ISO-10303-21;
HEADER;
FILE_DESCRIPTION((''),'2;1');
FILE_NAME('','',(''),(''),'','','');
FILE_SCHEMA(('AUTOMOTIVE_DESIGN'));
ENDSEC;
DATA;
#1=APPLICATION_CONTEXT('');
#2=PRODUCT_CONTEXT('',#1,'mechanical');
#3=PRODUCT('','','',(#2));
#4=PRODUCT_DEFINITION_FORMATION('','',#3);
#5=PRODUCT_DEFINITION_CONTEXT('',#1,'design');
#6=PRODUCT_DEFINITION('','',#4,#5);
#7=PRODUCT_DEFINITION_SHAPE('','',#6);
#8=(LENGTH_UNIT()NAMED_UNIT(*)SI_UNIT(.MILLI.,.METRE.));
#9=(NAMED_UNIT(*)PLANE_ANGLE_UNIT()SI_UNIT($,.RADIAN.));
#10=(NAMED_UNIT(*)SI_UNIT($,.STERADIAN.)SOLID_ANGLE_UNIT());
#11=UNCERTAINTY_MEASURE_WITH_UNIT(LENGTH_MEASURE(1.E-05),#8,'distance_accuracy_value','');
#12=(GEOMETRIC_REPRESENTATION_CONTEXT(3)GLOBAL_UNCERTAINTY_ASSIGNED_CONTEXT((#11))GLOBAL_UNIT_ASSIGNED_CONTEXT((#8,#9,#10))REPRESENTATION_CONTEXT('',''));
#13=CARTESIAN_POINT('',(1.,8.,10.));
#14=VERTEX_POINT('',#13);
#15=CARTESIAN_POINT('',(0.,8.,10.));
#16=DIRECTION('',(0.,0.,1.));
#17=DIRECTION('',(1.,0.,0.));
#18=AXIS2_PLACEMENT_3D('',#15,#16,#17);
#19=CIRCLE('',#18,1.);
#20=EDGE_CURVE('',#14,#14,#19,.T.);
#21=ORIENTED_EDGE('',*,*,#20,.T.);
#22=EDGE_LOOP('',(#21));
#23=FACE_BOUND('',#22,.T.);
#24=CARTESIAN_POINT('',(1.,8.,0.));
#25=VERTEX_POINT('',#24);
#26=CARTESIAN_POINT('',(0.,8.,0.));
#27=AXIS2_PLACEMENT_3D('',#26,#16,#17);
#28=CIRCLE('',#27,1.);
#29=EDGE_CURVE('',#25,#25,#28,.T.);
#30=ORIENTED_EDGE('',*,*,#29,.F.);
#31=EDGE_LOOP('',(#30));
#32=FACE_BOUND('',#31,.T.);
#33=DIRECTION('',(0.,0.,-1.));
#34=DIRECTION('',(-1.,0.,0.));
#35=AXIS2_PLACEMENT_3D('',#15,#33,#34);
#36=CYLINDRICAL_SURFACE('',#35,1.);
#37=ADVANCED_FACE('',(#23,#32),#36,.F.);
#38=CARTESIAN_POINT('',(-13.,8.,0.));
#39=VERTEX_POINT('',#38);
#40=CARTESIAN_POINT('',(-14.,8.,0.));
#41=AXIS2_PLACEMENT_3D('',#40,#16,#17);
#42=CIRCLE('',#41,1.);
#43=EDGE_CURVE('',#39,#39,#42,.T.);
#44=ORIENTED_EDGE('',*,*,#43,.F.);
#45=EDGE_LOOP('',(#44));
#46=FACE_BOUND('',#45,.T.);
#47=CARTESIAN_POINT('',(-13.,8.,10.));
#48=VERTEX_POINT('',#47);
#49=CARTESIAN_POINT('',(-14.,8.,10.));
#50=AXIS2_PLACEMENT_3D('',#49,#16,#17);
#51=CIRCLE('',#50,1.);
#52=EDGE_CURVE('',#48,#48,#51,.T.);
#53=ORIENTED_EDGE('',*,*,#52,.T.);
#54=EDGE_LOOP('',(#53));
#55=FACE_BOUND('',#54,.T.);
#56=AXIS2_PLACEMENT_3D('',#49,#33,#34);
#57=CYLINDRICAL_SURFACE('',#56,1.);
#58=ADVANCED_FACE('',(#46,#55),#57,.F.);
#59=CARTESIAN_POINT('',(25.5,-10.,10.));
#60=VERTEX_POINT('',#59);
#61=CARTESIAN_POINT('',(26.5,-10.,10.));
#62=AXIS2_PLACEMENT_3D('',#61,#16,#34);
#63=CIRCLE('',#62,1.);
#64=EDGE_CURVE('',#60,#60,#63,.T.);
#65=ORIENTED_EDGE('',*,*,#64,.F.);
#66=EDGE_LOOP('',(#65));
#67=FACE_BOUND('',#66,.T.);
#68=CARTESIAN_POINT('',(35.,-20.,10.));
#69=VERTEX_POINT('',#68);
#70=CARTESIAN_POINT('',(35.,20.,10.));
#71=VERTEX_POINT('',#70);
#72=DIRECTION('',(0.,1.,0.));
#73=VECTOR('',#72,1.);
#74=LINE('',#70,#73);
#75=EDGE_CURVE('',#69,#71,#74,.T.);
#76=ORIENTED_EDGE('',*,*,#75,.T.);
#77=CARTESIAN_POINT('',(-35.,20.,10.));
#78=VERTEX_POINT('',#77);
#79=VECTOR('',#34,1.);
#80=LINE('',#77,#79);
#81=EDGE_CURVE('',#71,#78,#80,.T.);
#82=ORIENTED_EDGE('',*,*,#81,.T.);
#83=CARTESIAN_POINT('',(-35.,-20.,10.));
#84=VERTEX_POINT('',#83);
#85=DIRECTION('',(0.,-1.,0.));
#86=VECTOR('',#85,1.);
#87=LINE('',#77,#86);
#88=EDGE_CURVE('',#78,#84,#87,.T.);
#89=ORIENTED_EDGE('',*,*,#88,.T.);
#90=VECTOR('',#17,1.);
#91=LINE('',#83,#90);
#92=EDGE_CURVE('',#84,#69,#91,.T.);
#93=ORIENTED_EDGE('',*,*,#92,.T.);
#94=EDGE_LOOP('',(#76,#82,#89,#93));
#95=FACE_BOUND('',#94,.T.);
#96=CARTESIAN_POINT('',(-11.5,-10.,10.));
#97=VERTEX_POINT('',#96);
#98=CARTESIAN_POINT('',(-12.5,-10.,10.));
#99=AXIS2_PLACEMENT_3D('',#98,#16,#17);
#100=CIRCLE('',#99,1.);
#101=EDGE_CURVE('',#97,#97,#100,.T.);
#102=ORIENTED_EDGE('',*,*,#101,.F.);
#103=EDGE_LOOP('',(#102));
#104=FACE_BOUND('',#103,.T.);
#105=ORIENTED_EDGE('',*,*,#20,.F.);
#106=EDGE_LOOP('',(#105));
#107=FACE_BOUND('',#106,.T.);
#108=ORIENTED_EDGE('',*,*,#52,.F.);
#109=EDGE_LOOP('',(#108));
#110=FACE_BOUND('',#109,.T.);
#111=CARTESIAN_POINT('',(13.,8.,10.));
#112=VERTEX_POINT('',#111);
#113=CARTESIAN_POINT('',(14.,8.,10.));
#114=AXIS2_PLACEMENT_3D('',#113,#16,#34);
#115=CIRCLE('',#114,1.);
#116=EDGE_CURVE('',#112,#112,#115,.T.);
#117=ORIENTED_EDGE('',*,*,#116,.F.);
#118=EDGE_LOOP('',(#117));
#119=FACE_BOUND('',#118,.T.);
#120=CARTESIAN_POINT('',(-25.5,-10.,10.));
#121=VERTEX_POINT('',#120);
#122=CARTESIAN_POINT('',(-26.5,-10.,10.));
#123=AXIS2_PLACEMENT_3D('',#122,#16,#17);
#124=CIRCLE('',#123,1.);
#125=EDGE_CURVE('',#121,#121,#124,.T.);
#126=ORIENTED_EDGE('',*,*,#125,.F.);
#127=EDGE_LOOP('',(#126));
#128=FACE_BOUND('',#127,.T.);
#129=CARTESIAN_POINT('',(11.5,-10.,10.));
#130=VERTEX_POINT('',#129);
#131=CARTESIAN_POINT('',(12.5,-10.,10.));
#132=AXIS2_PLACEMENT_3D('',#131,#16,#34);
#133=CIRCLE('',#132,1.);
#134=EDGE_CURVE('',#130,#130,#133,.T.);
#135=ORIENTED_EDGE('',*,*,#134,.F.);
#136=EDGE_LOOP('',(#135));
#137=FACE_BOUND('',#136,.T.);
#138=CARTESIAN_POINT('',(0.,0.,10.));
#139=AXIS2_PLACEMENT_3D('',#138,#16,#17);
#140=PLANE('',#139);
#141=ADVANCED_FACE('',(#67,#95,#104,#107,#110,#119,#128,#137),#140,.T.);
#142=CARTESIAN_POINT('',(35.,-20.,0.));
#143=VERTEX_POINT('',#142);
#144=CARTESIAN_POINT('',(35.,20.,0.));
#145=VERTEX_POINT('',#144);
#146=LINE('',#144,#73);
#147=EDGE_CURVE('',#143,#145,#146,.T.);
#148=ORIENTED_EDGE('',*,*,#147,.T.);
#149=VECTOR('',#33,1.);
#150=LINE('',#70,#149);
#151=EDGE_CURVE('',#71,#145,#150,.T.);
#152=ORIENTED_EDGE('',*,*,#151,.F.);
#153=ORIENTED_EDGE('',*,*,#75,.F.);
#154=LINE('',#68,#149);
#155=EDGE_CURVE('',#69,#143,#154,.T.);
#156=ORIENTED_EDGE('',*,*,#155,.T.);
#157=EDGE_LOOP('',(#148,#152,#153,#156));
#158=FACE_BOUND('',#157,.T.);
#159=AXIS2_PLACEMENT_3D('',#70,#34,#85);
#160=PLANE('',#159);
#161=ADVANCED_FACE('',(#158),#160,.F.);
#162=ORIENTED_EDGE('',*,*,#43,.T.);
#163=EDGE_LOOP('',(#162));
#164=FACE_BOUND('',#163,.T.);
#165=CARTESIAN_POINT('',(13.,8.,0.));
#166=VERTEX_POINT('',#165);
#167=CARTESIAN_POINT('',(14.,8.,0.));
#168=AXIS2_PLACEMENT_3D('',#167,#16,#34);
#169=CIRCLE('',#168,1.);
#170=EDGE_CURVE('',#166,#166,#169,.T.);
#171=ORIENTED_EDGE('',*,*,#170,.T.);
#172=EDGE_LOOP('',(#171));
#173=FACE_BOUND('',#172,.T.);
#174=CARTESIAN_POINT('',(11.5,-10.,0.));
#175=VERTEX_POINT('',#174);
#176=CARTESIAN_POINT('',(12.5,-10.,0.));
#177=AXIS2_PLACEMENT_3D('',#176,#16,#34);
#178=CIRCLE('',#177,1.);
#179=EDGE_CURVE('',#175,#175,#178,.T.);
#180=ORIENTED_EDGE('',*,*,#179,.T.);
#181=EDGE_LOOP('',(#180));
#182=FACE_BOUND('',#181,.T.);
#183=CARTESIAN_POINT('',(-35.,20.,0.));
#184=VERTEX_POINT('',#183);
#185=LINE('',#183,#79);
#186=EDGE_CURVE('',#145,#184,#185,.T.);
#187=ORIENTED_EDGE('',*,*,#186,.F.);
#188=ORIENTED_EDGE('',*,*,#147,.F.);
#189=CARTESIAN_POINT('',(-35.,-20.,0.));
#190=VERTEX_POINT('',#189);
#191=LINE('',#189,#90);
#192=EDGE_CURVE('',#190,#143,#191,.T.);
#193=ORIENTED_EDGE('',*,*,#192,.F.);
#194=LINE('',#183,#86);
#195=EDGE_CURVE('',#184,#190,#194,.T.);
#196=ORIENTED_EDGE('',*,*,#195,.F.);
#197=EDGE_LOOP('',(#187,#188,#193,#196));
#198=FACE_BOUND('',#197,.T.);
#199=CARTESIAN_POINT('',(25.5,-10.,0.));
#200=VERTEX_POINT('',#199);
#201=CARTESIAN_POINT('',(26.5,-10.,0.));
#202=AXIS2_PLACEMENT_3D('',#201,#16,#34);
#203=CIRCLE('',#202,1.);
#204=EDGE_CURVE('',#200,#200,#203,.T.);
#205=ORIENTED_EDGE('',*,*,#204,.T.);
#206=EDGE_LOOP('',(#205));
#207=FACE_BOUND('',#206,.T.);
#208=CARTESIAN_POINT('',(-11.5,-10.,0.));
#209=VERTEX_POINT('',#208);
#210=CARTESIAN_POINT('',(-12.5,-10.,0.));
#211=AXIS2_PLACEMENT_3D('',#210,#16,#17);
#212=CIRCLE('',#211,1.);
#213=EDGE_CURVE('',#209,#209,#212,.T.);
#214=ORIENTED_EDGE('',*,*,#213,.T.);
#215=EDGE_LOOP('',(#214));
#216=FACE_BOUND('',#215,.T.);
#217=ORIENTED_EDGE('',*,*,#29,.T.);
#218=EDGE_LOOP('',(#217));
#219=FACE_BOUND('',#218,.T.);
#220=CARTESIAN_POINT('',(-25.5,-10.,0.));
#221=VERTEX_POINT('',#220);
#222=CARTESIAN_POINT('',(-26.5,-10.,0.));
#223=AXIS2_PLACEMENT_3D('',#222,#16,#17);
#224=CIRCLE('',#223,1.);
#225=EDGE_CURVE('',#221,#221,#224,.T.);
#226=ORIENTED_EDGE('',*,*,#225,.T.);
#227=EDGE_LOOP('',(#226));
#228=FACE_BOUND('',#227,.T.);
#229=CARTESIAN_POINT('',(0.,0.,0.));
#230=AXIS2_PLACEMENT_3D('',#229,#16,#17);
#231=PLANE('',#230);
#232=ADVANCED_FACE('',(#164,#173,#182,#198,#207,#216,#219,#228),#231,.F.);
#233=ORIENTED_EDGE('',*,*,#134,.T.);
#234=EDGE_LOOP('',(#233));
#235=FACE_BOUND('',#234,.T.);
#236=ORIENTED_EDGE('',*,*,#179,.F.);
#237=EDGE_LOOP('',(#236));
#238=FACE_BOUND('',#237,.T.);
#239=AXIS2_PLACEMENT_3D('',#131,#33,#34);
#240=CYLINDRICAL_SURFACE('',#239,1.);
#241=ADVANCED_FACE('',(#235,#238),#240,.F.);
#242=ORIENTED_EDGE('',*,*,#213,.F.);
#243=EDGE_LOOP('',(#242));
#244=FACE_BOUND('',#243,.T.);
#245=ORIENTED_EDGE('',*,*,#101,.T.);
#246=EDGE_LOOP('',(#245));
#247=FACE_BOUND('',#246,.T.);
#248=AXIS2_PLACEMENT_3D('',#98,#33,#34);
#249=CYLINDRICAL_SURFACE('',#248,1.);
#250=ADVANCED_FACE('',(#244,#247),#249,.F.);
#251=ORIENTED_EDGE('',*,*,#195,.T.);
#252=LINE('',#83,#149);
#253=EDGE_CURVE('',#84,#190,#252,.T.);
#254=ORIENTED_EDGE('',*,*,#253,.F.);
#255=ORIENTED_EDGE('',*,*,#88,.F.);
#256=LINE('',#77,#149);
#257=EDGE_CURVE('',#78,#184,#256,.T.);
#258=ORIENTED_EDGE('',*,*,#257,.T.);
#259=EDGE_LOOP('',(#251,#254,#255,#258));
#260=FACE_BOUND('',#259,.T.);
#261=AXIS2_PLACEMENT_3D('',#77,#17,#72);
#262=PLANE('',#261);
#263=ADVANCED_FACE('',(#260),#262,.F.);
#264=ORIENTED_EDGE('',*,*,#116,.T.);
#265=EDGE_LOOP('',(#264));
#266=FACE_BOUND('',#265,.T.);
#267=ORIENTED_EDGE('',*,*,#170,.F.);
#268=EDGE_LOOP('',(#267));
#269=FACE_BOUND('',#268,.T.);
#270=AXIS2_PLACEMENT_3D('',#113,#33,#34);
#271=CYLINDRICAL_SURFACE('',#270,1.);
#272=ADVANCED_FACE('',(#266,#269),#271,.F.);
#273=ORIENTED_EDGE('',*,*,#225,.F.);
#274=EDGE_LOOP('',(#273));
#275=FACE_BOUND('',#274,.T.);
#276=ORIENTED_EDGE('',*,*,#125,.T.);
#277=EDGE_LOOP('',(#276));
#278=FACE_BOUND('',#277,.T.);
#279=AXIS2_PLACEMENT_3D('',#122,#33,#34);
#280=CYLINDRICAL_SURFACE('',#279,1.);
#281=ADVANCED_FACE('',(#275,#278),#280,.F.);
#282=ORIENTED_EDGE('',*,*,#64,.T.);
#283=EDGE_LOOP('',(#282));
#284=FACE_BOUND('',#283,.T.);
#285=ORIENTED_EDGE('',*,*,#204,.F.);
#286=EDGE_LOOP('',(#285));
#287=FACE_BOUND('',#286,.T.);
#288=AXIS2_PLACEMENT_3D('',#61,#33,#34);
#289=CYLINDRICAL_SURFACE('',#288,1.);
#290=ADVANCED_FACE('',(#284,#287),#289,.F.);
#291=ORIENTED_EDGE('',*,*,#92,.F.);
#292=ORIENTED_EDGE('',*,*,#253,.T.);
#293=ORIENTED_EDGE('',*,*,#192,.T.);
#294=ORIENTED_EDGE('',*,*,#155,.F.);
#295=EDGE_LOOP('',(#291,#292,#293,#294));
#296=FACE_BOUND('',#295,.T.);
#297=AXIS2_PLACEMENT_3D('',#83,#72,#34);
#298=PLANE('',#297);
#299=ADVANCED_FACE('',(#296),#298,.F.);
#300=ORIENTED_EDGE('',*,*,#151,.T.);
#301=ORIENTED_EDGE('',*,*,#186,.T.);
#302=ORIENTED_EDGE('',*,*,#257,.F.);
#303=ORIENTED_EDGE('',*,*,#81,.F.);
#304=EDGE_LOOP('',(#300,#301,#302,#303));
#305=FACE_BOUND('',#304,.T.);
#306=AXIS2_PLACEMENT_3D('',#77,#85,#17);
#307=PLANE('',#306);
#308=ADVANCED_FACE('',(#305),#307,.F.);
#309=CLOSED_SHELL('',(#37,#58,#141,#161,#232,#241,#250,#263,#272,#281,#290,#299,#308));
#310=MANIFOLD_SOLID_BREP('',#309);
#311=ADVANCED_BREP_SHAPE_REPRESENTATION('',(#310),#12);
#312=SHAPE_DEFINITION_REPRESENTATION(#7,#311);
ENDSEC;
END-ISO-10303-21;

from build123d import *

# Parameters (mm, degrees)
SKETCH1_W           = 70
SKETCH1_H           = 40
SKETCH1_R           = 1
BOSS_EXTRUDE1_DEPTH = 10


with BuildPart() as part:
    # Sketch1 → Boss-Extrude1 (new body)
    with BuildSketch(Plane.XY):
        Rectangle(SKETCH1_W, SKETCH1_H)
        with Locations((-14, 8)):
            Circle(SKETCH1_R, mode=Mode.SUBTRACT)
        with Locations(Location((14, 8, 0), (0, 0, 180))):
            Circle(SKETCH1_R, mode=Mode.SUBTRACT)
        with Locations((0, 8)):
            Circle(SKETCH1_R, mode=Mode.SUBTRACT)
        with Locations((-26.5, -10)):
            Circle(SKETCH1_R, mode=Mode.SUBTRACT)
        with Locations((-12.5, -10)):
            Circle(SKETCH1_R, mode=Mode.SUBTRACT)
        with Locations(Location((26.5, -10, 0), (0, 0, 180))):
            Circle(SKETCH1_R, mode=Mode.SUBTRACT)
        with Locations(Location((12.5, -10, 0), (0, 0, 180))):
            Circle(SKETCH1_R, mode=Mode.SUBTRACT)
    extrude(amount=BOSS_EXTRUDE1_DEPTH)


solid = part.part
